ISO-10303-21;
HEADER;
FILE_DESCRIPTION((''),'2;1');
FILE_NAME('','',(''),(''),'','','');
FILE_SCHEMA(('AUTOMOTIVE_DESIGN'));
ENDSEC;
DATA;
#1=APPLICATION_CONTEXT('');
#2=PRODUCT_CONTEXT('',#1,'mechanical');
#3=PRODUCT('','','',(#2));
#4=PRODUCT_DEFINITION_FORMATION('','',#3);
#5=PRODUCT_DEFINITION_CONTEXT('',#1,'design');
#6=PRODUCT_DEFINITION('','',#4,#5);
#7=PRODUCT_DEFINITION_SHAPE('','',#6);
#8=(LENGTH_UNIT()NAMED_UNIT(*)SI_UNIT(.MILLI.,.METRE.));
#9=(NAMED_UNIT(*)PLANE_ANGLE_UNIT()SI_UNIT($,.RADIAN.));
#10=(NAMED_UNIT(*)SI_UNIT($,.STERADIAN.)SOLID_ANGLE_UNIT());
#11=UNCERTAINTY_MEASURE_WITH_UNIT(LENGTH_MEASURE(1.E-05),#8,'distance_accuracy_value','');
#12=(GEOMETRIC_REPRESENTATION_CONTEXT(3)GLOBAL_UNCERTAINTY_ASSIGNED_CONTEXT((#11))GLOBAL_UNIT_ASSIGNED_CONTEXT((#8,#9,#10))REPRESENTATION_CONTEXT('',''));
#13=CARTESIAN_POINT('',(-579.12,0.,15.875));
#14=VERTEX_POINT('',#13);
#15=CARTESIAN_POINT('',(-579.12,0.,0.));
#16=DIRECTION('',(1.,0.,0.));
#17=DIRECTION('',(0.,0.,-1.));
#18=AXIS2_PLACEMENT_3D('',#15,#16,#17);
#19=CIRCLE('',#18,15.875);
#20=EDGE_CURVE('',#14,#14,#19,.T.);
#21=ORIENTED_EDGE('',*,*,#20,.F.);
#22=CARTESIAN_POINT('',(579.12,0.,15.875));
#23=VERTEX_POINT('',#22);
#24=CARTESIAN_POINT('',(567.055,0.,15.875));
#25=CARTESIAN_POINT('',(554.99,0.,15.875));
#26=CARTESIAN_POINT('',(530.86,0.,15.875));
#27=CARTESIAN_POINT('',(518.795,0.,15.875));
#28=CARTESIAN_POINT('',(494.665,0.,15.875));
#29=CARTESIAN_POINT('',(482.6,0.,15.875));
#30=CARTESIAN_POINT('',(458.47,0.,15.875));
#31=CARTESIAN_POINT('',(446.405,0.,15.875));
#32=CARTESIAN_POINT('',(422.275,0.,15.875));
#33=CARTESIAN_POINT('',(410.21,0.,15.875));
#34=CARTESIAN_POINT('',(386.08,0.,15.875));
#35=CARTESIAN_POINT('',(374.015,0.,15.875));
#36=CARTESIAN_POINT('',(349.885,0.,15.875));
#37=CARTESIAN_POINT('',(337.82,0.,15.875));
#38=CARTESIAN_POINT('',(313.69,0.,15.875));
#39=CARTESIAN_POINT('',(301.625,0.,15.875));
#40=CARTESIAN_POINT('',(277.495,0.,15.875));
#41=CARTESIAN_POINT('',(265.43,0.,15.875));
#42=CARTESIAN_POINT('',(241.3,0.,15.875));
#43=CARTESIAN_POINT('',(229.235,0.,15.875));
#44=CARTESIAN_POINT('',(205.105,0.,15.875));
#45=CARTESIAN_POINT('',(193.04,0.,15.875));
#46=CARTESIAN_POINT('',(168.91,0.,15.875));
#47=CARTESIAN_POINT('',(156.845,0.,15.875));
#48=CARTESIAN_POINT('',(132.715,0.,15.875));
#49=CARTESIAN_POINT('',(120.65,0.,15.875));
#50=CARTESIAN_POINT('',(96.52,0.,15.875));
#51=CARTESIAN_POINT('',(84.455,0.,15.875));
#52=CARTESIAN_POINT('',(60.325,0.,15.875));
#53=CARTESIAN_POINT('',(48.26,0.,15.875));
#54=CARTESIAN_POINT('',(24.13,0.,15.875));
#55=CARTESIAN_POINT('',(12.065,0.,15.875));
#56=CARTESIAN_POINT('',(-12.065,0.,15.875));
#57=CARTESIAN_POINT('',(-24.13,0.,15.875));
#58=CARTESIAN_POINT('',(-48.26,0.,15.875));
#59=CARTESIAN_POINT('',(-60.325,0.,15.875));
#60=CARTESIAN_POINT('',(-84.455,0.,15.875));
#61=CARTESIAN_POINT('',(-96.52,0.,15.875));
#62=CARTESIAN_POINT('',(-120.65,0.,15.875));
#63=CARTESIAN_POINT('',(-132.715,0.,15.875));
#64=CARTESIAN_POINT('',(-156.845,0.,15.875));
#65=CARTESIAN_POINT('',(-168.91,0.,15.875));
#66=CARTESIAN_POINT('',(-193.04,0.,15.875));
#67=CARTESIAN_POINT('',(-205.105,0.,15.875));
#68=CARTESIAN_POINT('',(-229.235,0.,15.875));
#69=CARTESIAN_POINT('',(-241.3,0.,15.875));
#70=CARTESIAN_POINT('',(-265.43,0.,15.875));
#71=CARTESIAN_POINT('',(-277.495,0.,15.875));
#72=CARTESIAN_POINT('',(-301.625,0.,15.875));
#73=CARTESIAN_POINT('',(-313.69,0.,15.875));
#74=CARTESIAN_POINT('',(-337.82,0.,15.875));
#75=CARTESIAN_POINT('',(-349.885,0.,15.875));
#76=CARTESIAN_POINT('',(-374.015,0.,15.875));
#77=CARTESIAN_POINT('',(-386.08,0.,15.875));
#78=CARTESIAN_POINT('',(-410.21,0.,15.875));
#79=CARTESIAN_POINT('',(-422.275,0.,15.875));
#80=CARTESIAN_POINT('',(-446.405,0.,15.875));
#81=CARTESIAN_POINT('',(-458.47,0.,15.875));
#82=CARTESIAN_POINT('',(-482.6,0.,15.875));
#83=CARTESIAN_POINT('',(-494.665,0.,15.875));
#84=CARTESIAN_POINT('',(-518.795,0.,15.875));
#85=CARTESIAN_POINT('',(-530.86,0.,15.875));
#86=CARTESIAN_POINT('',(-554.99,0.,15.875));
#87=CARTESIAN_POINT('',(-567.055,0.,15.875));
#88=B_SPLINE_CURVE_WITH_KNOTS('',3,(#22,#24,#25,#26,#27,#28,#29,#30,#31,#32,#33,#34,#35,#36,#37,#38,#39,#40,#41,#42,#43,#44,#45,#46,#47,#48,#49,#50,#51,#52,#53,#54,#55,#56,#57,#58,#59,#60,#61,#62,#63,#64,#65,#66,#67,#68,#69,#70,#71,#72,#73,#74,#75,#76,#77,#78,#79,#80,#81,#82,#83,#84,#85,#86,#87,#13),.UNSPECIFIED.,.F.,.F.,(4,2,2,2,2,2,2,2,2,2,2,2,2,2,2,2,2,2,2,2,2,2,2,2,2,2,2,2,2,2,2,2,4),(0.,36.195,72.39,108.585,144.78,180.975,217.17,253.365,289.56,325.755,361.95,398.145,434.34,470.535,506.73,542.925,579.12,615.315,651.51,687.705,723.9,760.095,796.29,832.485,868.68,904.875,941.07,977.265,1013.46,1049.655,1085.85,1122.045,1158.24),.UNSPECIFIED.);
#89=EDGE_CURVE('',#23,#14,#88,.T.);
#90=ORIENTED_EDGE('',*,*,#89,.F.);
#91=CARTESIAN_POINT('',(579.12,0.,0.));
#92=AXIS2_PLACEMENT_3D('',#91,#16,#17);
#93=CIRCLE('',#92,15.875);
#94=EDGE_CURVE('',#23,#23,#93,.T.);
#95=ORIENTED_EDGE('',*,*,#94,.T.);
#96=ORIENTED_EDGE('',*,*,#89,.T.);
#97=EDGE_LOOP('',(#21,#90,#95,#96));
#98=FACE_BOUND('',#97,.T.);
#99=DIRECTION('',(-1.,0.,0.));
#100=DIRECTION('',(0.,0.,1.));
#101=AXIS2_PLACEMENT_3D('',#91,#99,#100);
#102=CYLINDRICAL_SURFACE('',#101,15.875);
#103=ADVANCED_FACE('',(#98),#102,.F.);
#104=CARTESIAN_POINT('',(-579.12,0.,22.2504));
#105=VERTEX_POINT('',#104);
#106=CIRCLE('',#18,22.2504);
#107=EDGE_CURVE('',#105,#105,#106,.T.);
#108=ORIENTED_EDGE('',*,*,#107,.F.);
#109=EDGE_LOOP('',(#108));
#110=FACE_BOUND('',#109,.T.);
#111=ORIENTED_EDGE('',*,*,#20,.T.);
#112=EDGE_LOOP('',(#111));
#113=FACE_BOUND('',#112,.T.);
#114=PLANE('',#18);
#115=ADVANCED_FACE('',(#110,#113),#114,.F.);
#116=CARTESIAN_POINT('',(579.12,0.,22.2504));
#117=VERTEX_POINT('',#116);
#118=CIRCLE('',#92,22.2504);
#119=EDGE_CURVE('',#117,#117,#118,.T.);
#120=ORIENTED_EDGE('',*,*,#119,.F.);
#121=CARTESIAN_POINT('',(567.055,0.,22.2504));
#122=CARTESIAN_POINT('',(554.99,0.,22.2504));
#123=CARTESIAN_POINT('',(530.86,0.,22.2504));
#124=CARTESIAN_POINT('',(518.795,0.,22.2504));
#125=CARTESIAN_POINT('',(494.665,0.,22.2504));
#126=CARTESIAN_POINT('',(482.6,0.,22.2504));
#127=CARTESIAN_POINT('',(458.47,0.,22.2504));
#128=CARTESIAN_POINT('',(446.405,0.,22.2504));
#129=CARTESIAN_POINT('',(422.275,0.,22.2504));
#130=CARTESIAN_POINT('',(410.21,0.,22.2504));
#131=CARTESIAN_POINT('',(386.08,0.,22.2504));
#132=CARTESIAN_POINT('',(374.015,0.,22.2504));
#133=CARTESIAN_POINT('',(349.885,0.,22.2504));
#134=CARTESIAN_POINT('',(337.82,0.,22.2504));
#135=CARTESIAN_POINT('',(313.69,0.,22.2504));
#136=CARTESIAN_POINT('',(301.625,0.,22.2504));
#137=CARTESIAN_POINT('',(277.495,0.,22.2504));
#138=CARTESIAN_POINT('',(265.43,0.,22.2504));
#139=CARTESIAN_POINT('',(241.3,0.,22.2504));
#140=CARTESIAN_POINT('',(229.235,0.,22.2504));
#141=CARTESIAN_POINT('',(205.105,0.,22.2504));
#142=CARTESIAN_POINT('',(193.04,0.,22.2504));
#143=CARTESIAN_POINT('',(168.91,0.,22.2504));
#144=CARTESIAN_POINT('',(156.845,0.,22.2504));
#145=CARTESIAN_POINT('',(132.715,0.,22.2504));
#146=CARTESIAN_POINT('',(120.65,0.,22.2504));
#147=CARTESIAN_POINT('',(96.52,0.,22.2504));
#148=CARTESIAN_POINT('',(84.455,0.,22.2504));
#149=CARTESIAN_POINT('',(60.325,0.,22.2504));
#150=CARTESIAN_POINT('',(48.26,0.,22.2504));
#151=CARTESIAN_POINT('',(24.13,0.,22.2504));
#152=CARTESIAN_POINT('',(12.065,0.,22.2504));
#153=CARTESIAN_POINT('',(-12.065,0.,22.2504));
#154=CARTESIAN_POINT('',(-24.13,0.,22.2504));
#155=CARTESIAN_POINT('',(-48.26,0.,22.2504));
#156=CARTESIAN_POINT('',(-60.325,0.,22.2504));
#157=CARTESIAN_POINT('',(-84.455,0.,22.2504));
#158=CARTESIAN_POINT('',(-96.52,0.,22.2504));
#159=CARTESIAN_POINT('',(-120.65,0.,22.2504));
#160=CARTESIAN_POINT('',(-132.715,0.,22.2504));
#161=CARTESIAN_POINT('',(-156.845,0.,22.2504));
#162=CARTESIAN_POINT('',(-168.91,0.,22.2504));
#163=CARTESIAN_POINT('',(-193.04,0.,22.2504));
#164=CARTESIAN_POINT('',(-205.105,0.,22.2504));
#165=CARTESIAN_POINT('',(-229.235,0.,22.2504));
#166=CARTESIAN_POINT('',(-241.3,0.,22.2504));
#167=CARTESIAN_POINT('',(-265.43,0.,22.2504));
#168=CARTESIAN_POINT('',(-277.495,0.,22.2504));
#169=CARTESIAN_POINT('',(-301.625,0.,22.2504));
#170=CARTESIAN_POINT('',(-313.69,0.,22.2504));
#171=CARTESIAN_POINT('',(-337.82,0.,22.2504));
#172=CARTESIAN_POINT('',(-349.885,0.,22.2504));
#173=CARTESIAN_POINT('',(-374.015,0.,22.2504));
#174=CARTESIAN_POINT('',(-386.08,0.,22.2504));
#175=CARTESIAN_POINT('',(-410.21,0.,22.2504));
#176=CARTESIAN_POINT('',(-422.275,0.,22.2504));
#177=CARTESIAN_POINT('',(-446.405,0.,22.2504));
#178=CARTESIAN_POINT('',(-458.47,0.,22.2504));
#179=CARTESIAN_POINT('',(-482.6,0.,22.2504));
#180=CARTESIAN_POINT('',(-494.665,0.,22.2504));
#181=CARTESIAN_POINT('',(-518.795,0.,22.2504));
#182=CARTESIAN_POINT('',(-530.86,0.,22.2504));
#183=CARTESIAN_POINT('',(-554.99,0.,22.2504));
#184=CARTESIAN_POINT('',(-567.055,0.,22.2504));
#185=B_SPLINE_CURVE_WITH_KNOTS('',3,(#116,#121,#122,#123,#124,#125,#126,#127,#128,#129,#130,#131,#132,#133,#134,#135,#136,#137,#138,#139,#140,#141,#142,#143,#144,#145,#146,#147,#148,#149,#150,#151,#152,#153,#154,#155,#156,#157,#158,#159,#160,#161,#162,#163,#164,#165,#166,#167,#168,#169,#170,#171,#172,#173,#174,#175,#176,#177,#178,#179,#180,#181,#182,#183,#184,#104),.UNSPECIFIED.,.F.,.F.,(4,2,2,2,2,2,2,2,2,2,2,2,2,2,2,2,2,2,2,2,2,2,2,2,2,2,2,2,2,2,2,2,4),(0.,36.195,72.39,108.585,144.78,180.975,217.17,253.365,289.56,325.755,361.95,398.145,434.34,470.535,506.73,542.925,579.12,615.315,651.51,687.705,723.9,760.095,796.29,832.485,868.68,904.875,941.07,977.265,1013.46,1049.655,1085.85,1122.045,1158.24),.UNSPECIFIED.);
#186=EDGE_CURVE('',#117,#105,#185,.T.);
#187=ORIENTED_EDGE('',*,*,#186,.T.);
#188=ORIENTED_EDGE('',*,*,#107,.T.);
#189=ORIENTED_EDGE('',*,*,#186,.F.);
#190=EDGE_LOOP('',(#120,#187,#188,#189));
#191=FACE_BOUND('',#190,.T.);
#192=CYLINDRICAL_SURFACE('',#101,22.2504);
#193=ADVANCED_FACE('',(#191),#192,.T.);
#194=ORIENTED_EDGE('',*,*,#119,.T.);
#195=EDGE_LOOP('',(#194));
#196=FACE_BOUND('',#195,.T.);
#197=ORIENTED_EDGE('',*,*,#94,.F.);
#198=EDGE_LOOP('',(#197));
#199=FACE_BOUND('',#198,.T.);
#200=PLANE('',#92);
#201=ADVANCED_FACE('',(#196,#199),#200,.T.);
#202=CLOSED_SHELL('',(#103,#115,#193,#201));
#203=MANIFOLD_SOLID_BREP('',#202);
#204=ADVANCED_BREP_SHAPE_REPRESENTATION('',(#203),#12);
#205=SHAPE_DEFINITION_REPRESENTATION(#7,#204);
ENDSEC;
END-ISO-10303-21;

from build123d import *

# Parameters (mm, degrees)
SKETCH5_R           = 22.2504
SKETCH5_R_2         = 15.875
EXTRUDE_THIN1_DEPTH = 579.12


with BuildPart() as part:
    # Sketch5 → Extrude-Thin1 (new, symmetric)
    with BuildSketch(Plane(origin=(0, 0, 0), x_dir=(0, 0, -1), z_dir=(1, 0, 0))):
        Circle(SKETCH5_R)
        Circle(SKETCH5_R_2, mode=Mode.SUBTRACT)
    extrude(amount=EXTRUDE_THIN1_DEPTH, both=True)


solid = part.part
